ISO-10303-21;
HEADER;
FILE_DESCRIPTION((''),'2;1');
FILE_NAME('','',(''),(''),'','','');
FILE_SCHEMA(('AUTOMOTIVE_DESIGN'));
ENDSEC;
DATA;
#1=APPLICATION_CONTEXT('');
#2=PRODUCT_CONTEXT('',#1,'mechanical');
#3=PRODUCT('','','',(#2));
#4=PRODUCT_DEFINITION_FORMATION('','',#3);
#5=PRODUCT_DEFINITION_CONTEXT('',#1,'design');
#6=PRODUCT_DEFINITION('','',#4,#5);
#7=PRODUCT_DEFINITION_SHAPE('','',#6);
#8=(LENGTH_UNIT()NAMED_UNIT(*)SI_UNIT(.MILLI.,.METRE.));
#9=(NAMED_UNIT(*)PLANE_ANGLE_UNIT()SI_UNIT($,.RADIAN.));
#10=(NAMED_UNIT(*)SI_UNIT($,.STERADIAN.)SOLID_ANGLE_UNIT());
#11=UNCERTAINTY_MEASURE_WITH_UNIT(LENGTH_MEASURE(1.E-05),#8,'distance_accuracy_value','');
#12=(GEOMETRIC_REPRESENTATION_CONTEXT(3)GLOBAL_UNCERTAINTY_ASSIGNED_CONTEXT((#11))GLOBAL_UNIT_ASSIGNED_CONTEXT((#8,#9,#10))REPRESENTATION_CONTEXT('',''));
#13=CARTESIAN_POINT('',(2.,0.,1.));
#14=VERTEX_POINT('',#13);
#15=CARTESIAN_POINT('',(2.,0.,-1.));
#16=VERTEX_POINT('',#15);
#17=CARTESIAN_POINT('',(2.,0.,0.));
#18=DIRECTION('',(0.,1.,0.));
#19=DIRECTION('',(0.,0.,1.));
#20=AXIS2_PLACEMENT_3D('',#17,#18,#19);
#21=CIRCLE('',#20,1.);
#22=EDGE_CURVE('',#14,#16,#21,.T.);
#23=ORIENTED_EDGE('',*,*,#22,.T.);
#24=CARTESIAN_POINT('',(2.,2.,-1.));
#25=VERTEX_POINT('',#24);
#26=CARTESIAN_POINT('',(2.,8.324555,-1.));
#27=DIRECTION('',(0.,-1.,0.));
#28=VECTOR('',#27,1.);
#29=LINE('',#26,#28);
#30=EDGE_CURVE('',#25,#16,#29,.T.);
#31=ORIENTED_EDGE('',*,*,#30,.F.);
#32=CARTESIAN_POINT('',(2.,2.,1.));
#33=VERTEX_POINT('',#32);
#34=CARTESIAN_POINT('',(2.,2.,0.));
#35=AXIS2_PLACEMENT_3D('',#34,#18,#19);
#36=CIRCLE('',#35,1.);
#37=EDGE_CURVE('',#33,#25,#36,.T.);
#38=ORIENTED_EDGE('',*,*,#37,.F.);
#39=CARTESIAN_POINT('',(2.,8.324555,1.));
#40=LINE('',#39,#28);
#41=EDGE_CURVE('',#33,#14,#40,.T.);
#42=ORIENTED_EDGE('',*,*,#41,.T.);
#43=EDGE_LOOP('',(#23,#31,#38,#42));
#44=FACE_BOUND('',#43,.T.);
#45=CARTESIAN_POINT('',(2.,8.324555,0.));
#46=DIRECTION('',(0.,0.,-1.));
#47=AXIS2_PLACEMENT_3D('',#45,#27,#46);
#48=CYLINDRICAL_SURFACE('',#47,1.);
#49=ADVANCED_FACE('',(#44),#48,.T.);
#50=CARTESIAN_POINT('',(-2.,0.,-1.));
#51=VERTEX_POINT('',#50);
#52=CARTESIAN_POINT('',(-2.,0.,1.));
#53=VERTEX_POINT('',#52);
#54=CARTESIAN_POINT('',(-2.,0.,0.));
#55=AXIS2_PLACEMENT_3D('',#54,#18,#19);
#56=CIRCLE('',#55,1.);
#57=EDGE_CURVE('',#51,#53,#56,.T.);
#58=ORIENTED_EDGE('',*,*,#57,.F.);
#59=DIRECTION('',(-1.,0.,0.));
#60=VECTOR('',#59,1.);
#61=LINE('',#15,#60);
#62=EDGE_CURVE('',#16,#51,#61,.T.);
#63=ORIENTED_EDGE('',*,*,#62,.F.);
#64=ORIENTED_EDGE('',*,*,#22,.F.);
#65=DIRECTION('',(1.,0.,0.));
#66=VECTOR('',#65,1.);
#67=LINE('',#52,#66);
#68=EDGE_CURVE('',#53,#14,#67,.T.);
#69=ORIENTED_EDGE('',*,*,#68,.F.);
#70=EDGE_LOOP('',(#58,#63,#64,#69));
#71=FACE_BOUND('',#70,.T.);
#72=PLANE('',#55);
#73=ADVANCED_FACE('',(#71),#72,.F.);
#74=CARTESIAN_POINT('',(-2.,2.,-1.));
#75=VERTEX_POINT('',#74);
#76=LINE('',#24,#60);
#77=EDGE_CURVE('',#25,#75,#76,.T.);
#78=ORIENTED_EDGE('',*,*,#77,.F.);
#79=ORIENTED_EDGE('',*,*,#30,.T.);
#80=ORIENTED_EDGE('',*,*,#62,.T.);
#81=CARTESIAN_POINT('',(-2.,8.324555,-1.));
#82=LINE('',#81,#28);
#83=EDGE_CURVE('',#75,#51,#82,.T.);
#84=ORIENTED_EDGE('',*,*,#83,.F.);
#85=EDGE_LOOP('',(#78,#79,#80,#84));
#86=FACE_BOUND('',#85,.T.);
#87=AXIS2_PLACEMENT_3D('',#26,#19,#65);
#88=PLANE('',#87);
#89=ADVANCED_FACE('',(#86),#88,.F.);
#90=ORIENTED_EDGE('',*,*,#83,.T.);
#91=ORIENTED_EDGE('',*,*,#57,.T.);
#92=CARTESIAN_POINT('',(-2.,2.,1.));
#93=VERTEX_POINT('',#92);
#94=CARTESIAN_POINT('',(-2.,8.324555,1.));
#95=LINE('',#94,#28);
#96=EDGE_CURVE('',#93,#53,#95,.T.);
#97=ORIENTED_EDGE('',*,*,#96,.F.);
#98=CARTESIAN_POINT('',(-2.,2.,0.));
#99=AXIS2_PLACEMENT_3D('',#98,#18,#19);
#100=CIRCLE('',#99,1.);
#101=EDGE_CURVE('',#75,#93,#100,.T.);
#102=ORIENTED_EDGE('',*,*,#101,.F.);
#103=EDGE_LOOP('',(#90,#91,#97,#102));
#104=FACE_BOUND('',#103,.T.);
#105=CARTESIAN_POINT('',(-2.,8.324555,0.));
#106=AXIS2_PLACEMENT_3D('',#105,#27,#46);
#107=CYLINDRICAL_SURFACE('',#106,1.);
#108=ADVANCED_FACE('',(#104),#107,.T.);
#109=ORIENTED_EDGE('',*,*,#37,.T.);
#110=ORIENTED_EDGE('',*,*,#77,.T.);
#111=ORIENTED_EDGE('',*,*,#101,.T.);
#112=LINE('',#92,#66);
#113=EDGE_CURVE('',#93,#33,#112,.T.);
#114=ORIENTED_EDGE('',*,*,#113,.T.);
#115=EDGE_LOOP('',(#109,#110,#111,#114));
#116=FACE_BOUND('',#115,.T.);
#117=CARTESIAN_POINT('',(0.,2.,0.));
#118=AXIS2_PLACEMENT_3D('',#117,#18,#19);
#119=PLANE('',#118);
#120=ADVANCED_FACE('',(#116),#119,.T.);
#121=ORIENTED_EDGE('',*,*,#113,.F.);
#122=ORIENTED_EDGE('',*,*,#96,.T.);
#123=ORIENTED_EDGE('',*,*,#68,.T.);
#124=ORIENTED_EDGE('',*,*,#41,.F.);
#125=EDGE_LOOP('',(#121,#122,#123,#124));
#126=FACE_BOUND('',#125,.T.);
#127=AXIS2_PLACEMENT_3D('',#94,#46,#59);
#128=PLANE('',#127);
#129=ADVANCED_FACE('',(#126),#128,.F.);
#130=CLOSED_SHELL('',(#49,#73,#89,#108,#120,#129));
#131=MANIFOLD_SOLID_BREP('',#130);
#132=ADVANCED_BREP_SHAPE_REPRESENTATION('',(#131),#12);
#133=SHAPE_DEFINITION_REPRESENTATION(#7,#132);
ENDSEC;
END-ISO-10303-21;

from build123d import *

# Parameters (mm, degrees)
BODY_DEPTH = 2


with BuildPart() as part:
    # Sketch4 → body (new body)
    with BuildSketch(Plane(origin=(0, 0, 0), x_dir=(1, 0, 0), z_dir=(0, 1, 0))):
        with BuildLine():
            Line((2, 1), (-2, 1))
            ThreePointArc((-2, 1), (-3, 0), (-2, -1))
            Line((-2, -1), (2, -1))
            ThreePointArc((2, -1), (3, 0), (2, 1))
        make_face()
    extrude(amount=BODY_DEPTH)


solid = part.part
